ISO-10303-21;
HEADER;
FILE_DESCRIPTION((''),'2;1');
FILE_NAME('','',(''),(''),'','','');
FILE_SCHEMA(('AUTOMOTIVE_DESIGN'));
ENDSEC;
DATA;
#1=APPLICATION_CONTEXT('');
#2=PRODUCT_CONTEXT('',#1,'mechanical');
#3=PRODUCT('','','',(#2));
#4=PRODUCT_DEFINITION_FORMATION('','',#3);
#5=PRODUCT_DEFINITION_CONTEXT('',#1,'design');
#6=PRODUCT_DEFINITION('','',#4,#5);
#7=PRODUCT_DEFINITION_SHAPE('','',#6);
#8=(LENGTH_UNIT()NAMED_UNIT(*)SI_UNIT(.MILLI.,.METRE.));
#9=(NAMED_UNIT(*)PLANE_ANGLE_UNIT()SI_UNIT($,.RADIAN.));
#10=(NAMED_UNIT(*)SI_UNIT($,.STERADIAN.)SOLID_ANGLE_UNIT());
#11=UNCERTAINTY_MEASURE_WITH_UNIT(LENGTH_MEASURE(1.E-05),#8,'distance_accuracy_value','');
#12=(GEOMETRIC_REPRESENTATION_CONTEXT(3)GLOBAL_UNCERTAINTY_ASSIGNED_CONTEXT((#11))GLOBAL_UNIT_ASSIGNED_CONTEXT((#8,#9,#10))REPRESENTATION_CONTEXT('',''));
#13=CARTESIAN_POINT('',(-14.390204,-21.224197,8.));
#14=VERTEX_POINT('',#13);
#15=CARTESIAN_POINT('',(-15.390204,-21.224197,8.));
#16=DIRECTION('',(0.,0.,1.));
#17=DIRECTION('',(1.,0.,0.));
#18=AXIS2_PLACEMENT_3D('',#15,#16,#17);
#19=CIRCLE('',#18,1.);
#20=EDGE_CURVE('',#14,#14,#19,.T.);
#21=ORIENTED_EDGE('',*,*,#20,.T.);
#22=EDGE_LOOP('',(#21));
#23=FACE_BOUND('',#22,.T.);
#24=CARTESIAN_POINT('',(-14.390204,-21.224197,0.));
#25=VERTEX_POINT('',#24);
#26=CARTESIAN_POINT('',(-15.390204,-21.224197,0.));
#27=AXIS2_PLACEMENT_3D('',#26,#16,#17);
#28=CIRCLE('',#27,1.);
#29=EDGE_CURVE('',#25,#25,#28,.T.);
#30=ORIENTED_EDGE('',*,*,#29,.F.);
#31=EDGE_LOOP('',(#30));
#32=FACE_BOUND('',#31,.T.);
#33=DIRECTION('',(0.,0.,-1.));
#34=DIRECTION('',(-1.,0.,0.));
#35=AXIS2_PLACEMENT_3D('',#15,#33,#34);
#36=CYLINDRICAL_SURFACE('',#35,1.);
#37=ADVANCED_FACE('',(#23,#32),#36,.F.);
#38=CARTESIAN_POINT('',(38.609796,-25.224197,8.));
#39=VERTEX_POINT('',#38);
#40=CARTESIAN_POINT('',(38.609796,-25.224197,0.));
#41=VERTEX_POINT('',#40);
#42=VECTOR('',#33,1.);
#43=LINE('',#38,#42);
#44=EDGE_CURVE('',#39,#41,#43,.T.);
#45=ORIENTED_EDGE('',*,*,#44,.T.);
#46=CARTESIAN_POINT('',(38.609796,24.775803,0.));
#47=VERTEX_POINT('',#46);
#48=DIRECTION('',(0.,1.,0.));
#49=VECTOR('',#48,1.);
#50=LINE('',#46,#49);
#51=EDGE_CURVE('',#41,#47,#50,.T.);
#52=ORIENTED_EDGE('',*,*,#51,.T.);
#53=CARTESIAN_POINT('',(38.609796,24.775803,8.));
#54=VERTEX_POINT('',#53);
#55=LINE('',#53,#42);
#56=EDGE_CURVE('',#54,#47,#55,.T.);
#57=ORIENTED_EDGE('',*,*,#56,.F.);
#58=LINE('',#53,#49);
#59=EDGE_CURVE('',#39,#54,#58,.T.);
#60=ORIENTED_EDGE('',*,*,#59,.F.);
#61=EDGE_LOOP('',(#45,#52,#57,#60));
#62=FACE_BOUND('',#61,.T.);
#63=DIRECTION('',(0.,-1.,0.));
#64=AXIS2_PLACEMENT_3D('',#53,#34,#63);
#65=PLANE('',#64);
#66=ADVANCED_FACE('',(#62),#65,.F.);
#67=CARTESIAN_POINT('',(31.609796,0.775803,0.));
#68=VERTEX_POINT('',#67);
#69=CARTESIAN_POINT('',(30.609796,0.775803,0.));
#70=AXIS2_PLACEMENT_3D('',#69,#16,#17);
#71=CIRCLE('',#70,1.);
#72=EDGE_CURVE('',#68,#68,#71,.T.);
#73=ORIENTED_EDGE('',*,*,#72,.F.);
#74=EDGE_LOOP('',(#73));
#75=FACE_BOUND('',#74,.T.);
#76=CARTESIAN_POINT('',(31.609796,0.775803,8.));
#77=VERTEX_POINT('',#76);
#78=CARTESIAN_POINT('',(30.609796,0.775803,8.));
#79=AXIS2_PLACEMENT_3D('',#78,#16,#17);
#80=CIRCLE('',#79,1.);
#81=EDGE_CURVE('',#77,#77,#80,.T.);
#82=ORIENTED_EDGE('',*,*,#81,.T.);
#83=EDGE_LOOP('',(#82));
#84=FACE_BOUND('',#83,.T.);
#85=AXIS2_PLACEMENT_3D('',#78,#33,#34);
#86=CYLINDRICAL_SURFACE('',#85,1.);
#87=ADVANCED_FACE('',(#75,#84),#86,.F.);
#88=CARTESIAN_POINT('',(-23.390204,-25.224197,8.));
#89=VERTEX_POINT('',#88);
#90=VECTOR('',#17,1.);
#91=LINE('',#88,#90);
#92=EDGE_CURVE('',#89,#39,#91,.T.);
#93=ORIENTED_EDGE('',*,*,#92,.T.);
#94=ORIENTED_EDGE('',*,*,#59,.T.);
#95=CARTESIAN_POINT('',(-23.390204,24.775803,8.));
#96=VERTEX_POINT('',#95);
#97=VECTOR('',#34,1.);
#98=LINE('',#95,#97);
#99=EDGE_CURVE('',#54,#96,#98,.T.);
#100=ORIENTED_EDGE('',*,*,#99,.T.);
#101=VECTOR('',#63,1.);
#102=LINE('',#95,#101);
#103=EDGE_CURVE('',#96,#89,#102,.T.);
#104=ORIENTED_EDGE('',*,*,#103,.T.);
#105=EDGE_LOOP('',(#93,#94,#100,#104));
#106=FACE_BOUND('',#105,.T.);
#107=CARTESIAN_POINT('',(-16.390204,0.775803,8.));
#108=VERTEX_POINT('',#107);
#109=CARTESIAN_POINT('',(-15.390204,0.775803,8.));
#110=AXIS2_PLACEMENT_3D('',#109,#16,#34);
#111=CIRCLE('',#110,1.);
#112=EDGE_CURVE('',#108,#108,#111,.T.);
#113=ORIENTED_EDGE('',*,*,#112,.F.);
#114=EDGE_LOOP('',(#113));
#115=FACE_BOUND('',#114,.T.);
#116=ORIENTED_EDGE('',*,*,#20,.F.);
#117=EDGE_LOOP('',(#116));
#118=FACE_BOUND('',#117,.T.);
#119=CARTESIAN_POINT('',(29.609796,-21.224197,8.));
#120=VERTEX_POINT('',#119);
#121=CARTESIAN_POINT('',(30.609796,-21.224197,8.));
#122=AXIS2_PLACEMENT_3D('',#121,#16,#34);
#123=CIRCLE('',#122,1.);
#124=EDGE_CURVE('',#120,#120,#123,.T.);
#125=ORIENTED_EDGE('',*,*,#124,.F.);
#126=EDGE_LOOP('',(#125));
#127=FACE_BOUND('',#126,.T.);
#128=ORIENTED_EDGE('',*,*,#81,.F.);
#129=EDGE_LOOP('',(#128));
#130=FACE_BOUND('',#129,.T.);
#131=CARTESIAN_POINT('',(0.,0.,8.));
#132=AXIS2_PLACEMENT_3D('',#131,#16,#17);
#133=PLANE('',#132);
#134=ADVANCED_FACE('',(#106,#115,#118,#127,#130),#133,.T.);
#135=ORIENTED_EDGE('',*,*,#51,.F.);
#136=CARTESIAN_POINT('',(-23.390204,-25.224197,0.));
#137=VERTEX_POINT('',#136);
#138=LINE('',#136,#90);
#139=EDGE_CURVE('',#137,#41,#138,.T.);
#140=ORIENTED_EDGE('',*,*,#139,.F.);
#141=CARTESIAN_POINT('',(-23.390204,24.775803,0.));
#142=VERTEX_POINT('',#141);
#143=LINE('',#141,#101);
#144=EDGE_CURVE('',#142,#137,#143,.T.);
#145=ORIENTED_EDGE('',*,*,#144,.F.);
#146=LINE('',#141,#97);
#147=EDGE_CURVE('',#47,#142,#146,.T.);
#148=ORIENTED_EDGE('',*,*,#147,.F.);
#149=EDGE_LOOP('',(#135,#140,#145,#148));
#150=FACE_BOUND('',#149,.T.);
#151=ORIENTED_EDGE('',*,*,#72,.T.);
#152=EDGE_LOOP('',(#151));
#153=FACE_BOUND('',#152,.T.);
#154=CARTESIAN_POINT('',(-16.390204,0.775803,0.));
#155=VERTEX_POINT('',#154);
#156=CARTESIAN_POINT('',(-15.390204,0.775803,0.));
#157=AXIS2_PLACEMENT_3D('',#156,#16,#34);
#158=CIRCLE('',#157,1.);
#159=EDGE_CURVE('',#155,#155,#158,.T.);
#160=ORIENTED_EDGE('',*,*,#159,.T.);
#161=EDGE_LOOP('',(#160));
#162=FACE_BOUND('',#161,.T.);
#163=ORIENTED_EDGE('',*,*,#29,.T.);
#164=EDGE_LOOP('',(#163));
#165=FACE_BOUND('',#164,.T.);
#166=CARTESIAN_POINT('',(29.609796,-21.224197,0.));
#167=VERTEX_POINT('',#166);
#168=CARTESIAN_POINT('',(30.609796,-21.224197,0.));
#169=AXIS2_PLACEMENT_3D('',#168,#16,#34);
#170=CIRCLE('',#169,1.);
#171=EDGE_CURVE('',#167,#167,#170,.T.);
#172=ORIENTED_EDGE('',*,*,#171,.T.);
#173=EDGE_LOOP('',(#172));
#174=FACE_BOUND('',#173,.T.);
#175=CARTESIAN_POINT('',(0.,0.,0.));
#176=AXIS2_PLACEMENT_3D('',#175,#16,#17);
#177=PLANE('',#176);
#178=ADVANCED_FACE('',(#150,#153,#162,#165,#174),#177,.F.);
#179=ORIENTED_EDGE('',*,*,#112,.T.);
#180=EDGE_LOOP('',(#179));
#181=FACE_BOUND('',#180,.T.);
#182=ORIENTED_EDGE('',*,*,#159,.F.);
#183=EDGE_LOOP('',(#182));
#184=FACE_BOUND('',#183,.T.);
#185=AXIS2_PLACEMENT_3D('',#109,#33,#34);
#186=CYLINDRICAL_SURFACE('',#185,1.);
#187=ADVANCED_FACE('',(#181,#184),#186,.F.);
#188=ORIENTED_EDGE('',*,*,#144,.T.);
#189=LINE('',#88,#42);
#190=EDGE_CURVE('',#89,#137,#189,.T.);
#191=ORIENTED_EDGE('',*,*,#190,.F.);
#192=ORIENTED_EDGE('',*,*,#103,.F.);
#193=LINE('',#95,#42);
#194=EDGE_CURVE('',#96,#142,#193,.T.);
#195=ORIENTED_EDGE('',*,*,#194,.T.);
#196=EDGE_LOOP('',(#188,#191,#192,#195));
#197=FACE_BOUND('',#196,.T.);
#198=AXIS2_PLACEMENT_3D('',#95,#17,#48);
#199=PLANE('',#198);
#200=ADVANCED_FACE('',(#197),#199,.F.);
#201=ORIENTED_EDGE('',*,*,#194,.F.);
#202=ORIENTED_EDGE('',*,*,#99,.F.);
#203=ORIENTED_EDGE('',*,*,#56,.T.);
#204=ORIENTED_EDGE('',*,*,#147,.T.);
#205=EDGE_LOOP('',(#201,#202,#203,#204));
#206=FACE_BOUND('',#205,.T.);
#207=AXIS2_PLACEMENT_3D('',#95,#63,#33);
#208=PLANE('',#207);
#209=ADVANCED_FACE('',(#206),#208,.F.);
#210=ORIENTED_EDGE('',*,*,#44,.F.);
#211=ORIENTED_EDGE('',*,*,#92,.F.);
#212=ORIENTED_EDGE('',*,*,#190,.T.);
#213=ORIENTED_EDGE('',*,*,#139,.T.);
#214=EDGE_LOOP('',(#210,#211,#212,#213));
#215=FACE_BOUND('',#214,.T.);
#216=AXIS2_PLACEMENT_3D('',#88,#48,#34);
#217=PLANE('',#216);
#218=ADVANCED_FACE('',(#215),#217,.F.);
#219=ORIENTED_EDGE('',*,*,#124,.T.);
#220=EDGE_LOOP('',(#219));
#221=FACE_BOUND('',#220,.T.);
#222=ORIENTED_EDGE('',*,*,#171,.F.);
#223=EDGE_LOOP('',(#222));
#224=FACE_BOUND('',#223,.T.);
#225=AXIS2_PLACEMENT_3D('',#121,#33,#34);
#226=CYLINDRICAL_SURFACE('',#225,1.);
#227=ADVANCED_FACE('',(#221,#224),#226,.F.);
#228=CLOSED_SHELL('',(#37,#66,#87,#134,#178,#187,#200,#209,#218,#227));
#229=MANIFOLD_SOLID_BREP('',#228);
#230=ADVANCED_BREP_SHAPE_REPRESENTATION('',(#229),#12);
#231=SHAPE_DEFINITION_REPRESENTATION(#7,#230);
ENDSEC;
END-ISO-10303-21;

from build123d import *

# Parameters (mm, degrees)
ESQUISSE1_W        = 62
ESQUISSE1_H        = 50
ESQUISSE1_R        = 1
BOSS_EXTRU_1_DEPTH = 8


with BuildPart() as part:
    # Esquisse1 → Boss.-Extru.1 (new body)
    with BuildSketch(Plane.XY):
        with Locations((7.609796234, -0.224197121)):
            Rectangle(ESQUISSE1_W, ESQUISSE1_H)
        with Locations((-15.390203766, -21.224197121)):
            Circle(ESQUISSE1_R, mode=Mode.SUBTRACT)
        with Locations(Location((30.609796234, -21.224197121, 0), (0, 0, 180))):
            Circle(ESQUISSE1_R, mode=Mode.SUBTRACT)
        with Locations(Location((-15.390203766, 0.775802879, 0), (0, 0, 180))):
            Circle(ESQUISSE1_R, mode=Mode.SUBTRACT)
        with Locations((30.609796234, 0.775802879)):
            Circle(ESQUISSE1_R, mode=Mode.SUBTRACT)
    extrude(amount=BOSS_EXTRU_1_DEPTH)


solid = part.part
